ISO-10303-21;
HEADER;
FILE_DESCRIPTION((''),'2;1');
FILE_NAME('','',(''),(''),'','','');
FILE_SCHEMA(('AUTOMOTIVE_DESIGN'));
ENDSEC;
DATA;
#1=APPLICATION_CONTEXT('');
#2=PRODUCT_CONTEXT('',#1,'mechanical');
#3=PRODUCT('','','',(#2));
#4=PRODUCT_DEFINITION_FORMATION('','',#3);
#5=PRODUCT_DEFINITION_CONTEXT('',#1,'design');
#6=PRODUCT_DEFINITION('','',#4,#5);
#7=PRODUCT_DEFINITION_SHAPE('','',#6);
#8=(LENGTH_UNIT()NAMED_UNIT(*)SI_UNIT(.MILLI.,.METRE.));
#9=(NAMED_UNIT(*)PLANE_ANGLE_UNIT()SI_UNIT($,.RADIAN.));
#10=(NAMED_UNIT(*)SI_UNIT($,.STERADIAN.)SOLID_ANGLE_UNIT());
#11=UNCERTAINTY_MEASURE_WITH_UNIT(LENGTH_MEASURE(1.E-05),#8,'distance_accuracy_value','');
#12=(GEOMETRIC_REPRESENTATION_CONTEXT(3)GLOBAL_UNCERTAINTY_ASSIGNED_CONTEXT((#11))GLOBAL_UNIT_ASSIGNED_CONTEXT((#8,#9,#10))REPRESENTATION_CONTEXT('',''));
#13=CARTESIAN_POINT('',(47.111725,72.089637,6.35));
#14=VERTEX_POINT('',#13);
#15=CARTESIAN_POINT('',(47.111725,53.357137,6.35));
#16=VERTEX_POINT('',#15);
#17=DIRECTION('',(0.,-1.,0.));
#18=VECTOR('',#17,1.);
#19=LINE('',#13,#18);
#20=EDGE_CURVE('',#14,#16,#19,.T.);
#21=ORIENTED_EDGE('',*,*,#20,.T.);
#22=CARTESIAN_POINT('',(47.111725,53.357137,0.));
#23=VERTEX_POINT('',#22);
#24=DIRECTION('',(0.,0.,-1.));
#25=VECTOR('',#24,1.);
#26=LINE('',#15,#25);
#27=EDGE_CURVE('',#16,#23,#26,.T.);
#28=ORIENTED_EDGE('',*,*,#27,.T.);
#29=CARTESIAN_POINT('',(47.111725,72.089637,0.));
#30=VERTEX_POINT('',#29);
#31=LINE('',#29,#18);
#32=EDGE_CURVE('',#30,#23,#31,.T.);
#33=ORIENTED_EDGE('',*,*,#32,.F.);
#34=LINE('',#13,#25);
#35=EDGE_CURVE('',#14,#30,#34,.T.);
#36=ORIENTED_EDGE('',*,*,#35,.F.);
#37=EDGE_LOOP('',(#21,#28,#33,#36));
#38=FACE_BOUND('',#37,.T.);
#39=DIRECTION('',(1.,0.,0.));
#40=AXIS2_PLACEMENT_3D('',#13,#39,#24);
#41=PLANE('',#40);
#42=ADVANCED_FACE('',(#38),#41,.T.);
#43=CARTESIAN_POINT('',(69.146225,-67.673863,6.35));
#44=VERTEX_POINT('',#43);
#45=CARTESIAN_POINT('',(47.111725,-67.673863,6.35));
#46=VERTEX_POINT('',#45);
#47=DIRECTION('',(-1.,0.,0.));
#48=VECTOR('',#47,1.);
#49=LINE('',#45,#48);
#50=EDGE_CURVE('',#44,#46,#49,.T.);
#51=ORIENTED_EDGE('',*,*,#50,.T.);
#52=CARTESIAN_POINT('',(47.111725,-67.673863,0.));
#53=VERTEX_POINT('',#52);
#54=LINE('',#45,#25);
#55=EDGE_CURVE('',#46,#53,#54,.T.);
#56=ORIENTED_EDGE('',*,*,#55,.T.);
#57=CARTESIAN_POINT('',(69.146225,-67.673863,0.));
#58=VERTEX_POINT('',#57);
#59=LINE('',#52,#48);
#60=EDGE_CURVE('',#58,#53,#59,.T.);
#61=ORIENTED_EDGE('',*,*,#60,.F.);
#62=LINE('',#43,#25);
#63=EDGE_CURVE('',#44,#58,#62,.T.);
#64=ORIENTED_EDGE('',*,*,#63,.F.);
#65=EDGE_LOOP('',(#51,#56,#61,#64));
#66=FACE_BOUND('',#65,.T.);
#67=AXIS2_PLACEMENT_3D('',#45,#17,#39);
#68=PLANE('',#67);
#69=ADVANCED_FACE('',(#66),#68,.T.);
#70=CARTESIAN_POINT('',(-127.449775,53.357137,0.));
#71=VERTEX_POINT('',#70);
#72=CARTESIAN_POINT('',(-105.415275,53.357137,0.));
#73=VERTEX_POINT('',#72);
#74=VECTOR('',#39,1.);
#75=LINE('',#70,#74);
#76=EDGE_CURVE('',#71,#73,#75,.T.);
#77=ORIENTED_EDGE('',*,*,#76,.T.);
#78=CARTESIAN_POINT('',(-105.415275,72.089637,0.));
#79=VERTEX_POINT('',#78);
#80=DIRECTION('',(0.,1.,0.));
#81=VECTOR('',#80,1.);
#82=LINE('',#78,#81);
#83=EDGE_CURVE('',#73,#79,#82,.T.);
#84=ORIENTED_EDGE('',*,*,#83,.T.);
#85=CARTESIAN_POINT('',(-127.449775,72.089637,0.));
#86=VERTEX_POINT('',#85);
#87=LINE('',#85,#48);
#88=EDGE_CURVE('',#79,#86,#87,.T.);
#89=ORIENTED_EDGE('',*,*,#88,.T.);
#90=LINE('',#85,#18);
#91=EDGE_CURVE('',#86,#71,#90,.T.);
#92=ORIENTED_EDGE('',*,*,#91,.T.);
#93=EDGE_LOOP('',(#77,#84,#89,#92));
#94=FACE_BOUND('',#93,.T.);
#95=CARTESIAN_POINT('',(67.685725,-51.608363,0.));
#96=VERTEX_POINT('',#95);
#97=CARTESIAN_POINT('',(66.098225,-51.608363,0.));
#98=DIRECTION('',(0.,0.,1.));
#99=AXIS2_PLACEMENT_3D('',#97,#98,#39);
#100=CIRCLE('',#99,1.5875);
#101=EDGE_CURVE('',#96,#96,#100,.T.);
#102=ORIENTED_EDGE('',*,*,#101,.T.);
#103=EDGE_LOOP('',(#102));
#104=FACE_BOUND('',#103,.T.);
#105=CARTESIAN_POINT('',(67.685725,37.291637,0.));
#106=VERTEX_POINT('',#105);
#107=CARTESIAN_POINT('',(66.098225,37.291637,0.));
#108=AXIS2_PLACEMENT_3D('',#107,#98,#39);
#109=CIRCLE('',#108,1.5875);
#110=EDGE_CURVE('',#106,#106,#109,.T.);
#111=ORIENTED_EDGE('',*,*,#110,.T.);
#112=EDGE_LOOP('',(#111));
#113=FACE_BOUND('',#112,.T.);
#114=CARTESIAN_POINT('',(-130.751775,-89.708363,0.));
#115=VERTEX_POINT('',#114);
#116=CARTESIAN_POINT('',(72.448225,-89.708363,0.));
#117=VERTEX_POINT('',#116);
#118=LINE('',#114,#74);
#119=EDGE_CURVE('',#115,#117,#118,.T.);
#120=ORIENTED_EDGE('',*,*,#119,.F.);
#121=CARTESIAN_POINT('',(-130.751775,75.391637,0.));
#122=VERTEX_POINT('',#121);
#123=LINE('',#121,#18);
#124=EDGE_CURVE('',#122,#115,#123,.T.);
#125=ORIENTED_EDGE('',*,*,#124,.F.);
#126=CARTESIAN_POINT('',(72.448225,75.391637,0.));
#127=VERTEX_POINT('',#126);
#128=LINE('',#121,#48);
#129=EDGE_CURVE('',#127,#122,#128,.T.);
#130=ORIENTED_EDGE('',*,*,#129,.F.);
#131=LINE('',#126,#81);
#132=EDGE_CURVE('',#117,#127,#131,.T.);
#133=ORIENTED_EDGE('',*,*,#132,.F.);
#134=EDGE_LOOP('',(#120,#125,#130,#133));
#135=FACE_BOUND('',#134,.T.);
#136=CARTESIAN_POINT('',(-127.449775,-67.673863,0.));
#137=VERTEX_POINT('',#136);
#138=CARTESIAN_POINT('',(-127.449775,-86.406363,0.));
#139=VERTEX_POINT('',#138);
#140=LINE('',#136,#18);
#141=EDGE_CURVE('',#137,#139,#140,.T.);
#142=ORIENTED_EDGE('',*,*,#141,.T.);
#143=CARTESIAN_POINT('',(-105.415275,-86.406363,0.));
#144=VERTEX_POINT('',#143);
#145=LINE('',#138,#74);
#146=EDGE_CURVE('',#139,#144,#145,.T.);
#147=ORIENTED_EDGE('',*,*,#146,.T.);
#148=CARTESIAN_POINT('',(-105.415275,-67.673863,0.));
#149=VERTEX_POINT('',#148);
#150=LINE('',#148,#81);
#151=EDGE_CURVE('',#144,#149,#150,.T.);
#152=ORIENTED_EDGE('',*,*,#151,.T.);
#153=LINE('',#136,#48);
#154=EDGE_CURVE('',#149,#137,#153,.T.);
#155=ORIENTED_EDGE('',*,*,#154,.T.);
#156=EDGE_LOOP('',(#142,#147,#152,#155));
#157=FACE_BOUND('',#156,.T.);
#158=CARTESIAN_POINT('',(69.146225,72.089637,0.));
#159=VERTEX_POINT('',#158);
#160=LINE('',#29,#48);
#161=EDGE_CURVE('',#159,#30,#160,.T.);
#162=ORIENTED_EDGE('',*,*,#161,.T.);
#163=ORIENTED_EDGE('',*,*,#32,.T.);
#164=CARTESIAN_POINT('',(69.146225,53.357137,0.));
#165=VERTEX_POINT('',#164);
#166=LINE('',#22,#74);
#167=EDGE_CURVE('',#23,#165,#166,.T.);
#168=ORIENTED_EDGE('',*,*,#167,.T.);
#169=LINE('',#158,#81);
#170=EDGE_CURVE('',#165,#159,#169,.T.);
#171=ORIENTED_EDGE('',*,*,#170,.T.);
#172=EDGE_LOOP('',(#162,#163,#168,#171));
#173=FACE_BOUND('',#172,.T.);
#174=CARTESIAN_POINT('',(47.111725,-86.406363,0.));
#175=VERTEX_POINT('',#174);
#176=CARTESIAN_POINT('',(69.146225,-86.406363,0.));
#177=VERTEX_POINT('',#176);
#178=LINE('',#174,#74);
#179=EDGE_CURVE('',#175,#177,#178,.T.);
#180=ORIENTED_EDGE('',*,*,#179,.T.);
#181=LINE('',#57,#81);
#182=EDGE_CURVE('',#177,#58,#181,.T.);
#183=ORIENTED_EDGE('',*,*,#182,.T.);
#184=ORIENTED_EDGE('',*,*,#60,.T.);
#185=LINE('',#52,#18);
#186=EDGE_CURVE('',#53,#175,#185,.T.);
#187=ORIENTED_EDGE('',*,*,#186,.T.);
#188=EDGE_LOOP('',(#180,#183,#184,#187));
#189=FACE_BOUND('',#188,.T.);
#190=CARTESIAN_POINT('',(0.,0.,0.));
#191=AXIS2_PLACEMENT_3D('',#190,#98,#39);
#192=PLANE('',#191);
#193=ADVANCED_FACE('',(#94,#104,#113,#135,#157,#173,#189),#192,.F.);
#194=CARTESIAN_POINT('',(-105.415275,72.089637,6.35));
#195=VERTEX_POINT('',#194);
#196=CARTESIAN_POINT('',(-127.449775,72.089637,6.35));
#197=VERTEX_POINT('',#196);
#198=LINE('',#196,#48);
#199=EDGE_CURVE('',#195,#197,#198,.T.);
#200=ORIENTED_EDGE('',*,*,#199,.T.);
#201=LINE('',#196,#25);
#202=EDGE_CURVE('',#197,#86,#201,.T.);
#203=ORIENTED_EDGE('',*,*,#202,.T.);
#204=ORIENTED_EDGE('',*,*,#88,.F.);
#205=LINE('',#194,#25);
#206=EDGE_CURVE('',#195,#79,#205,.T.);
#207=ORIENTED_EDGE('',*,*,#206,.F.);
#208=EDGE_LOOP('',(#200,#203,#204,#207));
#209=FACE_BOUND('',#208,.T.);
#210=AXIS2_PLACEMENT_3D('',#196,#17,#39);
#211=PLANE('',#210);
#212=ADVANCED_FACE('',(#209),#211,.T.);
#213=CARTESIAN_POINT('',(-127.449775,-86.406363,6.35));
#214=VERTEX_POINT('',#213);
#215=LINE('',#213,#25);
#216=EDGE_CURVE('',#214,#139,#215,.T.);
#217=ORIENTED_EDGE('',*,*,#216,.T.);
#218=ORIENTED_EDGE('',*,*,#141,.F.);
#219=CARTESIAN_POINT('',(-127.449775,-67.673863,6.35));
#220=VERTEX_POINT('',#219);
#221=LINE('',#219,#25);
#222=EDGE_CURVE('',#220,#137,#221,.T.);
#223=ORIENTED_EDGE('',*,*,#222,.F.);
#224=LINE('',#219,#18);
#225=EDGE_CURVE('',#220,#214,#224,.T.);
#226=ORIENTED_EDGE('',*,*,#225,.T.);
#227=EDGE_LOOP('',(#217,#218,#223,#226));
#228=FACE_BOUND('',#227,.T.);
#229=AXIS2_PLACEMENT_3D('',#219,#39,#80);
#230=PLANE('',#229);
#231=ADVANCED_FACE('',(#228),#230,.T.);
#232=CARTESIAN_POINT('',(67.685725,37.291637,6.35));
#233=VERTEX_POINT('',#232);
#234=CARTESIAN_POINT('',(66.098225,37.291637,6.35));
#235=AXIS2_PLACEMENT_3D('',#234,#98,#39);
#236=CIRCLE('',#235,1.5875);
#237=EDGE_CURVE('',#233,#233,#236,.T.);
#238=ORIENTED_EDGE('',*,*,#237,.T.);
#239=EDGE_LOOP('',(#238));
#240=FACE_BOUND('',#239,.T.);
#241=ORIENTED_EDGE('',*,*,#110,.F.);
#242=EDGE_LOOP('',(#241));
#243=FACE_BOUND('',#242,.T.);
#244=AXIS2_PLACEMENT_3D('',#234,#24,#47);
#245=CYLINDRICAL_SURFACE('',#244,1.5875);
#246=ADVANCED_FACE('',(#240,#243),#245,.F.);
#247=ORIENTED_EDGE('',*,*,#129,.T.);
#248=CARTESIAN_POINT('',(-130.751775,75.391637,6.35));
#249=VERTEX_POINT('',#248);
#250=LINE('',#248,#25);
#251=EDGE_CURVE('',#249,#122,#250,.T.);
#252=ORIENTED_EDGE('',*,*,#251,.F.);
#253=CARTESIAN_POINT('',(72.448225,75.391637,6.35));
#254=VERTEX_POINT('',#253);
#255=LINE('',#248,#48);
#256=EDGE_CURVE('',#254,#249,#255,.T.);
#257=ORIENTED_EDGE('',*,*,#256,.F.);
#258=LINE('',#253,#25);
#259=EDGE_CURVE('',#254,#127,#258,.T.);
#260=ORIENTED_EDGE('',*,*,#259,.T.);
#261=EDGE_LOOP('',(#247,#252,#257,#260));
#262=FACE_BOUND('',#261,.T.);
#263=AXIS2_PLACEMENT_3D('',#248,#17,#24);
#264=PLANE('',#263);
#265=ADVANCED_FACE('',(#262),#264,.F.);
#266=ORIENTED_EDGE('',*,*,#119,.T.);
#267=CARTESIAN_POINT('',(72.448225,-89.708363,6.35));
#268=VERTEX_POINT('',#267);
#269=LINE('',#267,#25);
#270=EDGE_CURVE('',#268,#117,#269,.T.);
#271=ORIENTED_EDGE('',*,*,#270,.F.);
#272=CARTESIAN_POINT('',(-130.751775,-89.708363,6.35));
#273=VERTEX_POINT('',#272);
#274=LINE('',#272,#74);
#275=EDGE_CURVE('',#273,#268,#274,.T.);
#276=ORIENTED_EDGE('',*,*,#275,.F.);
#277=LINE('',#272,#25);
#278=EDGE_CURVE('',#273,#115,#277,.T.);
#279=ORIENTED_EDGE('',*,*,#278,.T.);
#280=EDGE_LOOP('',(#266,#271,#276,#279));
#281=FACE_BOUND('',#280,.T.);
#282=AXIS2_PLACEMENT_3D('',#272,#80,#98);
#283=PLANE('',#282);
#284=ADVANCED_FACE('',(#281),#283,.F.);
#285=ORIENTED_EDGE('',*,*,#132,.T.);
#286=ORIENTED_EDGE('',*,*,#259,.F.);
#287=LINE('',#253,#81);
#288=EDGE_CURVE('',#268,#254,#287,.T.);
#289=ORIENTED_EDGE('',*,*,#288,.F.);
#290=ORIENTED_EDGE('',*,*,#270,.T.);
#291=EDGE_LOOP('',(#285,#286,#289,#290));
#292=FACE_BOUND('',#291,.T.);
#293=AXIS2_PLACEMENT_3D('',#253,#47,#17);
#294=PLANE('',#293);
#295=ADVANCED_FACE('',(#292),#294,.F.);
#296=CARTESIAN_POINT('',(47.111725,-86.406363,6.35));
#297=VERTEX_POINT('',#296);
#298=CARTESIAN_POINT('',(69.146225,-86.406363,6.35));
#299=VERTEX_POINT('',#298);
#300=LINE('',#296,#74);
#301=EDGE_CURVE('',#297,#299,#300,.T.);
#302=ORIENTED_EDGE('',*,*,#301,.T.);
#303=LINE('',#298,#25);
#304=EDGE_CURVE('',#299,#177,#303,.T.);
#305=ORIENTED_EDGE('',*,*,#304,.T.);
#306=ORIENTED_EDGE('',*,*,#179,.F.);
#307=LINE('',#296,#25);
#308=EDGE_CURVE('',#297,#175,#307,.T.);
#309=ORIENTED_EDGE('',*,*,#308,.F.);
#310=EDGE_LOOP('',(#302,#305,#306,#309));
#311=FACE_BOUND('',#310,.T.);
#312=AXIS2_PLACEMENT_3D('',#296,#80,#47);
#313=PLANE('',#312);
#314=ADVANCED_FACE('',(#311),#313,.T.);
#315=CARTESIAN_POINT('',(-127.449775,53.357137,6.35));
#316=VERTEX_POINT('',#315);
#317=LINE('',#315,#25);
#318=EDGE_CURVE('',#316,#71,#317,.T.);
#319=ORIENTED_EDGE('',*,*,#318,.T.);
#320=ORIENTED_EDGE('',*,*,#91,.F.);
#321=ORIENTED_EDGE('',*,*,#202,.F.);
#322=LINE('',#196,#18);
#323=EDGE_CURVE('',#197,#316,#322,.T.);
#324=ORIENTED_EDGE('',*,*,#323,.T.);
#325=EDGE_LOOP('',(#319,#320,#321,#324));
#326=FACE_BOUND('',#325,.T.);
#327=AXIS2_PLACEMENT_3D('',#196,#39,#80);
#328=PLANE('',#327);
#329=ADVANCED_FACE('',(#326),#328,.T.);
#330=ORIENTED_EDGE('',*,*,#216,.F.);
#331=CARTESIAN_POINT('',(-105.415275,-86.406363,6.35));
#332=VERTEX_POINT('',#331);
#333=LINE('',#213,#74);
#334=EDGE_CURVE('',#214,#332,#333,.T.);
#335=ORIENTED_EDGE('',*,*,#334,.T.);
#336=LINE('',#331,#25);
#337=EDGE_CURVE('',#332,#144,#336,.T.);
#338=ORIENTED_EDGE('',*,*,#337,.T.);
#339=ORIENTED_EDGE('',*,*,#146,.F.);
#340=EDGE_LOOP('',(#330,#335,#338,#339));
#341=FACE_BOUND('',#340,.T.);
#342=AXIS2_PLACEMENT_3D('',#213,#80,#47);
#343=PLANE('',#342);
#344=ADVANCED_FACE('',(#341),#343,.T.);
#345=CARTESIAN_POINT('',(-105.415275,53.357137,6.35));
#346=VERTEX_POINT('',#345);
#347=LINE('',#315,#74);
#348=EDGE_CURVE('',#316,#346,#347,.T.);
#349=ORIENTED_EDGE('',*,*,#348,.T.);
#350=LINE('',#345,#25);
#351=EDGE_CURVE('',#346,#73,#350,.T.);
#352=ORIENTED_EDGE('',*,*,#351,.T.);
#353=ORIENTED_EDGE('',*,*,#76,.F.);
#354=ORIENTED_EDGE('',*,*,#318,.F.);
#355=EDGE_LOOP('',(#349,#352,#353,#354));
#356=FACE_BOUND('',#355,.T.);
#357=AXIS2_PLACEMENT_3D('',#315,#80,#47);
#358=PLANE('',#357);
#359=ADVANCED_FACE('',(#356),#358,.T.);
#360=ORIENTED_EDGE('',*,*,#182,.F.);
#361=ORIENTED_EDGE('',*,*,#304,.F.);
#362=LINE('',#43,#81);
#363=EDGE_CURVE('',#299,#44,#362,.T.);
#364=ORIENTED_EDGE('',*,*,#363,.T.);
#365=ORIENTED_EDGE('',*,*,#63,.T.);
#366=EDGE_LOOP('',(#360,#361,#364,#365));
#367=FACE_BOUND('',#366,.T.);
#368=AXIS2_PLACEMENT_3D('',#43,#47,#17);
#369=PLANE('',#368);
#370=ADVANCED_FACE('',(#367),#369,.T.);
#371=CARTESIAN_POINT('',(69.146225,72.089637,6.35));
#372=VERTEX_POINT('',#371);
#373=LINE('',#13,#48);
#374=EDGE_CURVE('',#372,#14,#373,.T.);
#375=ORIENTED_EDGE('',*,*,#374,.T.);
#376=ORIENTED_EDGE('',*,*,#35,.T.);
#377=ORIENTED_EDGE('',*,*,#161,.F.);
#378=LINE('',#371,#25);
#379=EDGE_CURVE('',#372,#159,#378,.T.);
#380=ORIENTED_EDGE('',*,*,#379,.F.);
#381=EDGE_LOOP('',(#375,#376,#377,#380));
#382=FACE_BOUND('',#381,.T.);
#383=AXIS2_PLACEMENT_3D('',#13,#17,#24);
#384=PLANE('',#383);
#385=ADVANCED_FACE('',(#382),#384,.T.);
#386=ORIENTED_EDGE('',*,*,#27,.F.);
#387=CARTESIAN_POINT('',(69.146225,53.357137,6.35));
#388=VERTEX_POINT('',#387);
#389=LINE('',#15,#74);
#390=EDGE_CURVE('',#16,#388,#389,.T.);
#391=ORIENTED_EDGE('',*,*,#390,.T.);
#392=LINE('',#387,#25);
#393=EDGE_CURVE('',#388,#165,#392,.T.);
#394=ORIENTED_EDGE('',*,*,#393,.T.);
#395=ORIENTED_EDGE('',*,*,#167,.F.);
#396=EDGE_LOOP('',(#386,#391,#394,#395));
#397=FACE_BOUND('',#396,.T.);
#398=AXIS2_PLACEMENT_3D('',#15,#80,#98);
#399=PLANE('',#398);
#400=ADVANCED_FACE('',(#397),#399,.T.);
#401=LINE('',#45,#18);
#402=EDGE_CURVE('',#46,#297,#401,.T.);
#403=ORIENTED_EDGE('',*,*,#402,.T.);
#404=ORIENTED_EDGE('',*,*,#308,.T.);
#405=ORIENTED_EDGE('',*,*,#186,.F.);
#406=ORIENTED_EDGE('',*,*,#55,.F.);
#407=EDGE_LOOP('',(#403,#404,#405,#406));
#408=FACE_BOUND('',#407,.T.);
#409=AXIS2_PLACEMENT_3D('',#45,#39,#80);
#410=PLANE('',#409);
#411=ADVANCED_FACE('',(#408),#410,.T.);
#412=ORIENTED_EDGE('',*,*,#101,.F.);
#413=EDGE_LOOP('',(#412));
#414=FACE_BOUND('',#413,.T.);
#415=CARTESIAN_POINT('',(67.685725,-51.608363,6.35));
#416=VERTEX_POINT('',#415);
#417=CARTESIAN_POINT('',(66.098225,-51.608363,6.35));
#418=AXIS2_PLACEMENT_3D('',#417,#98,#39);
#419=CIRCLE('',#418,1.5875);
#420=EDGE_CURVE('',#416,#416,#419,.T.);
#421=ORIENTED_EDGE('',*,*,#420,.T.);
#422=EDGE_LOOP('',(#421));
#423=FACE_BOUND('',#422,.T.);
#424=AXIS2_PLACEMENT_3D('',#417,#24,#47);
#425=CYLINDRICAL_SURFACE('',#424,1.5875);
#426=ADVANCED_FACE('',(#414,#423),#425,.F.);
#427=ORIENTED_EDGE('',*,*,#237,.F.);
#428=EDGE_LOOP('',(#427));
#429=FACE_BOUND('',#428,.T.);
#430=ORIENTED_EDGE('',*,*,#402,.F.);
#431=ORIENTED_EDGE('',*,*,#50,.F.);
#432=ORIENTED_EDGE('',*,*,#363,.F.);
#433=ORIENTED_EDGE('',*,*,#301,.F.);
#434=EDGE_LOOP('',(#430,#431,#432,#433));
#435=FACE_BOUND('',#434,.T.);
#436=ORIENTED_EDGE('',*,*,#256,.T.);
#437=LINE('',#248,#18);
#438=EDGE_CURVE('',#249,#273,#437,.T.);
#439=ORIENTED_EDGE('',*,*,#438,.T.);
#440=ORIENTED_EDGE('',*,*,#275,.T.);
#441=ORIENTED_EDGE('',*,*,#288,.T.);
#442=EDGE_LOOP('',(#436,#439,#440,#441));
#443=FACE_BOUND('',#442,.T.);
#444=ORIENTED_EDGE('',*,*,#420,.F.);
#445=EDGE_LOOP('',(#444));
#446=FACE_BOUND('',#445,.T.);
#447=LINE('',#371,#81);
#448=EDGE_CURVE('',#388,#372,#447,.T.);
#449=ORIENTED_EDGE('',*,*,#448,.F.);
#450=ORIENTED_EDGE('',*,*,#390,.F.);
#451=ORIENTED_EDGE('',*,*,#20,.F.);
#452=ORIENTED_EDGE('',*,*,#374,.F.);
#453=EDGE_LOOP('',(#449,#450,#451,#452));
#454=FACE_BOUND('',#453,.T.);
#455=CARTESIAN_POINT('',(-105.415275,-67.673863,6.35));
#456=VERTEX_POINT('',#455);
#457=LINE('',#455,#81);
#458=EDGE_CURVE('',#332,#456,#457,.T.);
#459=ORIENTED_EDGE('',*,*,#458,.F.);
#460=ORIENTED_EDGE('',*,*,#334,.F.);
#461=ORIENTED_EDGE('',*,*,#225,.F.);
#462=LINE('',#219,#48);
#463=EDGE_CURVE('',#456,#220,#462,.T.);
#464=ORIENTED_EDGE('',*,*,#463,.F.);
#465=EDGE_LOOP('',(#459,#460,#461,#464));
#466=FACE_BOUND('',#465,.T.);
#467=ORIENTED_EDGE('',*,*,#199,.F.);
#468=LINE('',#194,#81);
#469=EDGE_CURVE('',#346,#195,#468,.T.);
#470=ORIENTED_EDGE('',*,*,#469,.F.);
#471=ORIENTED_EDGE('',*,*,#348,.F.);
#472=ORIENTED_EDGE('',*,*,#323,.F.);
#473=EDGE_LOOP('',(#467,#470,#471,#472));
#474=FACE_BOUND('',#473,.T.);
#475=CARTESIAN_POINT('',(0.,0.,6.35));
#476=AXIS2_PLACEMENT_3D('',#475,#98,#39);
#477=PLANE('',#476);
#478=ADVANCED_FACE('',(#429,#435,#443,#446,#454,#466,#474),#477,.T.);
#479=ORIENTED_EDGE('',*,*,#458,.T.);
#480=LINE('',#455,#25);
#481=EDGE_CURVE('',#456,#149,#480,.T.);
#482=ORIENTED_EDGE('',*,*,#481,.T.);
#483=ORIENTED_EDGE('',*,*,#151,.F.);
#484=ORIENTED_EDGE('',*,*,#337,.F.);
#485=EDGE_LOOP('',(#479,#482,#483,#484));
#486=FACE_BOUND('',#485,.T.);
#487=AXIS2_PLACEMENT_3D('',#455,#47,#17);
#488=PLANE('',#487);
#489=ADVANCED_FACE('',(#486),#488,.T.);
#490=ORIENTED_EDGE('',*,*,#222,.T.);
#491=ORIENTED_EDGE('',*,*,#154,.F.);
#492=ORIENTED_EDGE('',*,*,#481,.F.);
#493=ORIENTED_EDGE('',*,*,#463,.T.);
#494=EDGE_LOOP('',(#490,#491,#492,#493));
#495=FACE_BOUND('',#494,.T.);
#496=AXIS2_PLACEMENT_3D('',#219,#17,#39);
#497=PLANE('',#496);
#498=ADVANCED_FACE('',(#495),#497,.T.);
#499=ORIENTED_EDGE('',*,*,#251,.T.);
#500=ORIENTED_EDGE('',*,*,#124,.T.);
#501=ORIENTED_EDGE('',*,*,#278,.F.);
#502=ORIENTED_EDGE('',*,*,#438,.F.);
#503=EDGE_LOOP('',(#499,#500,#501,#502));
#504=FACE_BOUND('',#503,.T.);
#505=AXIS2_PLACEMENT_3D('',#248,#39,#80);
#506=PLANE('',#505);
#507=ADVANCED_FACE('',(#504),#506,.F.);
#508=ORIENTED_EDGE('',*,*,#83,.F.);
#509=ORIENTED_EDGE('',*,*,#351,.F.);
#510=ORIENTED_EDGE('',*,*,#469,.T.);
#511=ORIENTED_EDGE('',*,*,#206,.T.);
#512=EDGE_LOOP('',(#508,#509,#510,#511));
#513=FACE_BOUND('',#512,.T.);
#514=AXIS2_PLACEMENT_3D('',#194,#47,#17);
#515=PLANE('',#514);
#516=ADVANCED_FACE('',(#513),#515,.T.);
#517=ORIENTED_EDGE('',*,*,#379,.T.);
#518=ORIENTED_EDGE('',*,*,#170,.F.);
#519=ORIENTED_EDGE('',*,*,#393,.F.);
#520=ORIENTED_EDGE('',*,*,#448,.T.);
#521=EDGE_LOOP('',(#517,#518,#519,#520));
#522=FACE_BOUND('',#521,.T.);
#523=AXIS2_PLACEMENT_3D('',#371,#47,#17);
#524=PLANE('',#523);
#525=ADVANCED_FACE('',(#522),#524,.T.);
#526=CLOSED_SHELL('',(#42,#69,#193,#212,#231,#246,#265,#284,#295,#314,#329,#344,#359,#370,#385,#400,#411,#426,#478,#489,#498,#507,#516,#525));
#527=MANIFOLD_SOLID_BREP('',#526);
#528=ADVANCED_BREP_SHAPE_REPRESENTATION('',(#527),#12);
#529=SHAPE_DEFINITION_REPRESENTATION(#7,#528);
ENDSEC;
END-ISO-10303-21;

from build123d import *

# Parameters (mm, degrees)
SKETCH1_W           = 203.2
SKETCH1_H           = 165.1
SKETCH1_R           = 1.5875
SKETCH1_W_2         = 22.0345
SKETCH1_H_2         = 18.7325
BOSS_EXTRUDE1_DEPTH = 6.35


with BuildPart() as part:
    # Sketch1 → Boss-Extrude1 (new body)
    with BuildSketch(Plane.XY):
        with Locations((-29.151775306, -7.158362635)):
            Rectangle(SKETCH1_W, SKETCH1_H)
        with Locations((66.098224694, 37.291637365)):
            Circle(SKETCH1_R, mode=Mode.SUBTRACT)
        with Locations((66.098224694, -51.608362635)):
            Circle(SKETCH1_R, mode=Mode.SUBTRACT)
        with Locations((58.128974694, 62.723387365)):
            Rectangle(SKETCH1_W_2, SKETCH1_H_2, mode=Mode.SUBTRACT)
        with Locations((-116.432525306, 62.723387365)):
            Rectangle(SKETCH1_W_2, SKETCH1_H_2, mode=Mode.SUBTRACT)
        with Locations((58.128974694, -77.040112635)):
            Rectangle(SKETCH1_W_2, SKETCH1_H_2, mode=Mode.SUBTRACT)
        with Locations((-116.432525306, -77.040112635)):
            Rectangle(SKETCH1_W_2, SKETCH1_H_2, mode=Mode.SUBTRACT)
    extrude(amount=BOSS_EXTRUDE1_DEPTH)


solid = part.part
